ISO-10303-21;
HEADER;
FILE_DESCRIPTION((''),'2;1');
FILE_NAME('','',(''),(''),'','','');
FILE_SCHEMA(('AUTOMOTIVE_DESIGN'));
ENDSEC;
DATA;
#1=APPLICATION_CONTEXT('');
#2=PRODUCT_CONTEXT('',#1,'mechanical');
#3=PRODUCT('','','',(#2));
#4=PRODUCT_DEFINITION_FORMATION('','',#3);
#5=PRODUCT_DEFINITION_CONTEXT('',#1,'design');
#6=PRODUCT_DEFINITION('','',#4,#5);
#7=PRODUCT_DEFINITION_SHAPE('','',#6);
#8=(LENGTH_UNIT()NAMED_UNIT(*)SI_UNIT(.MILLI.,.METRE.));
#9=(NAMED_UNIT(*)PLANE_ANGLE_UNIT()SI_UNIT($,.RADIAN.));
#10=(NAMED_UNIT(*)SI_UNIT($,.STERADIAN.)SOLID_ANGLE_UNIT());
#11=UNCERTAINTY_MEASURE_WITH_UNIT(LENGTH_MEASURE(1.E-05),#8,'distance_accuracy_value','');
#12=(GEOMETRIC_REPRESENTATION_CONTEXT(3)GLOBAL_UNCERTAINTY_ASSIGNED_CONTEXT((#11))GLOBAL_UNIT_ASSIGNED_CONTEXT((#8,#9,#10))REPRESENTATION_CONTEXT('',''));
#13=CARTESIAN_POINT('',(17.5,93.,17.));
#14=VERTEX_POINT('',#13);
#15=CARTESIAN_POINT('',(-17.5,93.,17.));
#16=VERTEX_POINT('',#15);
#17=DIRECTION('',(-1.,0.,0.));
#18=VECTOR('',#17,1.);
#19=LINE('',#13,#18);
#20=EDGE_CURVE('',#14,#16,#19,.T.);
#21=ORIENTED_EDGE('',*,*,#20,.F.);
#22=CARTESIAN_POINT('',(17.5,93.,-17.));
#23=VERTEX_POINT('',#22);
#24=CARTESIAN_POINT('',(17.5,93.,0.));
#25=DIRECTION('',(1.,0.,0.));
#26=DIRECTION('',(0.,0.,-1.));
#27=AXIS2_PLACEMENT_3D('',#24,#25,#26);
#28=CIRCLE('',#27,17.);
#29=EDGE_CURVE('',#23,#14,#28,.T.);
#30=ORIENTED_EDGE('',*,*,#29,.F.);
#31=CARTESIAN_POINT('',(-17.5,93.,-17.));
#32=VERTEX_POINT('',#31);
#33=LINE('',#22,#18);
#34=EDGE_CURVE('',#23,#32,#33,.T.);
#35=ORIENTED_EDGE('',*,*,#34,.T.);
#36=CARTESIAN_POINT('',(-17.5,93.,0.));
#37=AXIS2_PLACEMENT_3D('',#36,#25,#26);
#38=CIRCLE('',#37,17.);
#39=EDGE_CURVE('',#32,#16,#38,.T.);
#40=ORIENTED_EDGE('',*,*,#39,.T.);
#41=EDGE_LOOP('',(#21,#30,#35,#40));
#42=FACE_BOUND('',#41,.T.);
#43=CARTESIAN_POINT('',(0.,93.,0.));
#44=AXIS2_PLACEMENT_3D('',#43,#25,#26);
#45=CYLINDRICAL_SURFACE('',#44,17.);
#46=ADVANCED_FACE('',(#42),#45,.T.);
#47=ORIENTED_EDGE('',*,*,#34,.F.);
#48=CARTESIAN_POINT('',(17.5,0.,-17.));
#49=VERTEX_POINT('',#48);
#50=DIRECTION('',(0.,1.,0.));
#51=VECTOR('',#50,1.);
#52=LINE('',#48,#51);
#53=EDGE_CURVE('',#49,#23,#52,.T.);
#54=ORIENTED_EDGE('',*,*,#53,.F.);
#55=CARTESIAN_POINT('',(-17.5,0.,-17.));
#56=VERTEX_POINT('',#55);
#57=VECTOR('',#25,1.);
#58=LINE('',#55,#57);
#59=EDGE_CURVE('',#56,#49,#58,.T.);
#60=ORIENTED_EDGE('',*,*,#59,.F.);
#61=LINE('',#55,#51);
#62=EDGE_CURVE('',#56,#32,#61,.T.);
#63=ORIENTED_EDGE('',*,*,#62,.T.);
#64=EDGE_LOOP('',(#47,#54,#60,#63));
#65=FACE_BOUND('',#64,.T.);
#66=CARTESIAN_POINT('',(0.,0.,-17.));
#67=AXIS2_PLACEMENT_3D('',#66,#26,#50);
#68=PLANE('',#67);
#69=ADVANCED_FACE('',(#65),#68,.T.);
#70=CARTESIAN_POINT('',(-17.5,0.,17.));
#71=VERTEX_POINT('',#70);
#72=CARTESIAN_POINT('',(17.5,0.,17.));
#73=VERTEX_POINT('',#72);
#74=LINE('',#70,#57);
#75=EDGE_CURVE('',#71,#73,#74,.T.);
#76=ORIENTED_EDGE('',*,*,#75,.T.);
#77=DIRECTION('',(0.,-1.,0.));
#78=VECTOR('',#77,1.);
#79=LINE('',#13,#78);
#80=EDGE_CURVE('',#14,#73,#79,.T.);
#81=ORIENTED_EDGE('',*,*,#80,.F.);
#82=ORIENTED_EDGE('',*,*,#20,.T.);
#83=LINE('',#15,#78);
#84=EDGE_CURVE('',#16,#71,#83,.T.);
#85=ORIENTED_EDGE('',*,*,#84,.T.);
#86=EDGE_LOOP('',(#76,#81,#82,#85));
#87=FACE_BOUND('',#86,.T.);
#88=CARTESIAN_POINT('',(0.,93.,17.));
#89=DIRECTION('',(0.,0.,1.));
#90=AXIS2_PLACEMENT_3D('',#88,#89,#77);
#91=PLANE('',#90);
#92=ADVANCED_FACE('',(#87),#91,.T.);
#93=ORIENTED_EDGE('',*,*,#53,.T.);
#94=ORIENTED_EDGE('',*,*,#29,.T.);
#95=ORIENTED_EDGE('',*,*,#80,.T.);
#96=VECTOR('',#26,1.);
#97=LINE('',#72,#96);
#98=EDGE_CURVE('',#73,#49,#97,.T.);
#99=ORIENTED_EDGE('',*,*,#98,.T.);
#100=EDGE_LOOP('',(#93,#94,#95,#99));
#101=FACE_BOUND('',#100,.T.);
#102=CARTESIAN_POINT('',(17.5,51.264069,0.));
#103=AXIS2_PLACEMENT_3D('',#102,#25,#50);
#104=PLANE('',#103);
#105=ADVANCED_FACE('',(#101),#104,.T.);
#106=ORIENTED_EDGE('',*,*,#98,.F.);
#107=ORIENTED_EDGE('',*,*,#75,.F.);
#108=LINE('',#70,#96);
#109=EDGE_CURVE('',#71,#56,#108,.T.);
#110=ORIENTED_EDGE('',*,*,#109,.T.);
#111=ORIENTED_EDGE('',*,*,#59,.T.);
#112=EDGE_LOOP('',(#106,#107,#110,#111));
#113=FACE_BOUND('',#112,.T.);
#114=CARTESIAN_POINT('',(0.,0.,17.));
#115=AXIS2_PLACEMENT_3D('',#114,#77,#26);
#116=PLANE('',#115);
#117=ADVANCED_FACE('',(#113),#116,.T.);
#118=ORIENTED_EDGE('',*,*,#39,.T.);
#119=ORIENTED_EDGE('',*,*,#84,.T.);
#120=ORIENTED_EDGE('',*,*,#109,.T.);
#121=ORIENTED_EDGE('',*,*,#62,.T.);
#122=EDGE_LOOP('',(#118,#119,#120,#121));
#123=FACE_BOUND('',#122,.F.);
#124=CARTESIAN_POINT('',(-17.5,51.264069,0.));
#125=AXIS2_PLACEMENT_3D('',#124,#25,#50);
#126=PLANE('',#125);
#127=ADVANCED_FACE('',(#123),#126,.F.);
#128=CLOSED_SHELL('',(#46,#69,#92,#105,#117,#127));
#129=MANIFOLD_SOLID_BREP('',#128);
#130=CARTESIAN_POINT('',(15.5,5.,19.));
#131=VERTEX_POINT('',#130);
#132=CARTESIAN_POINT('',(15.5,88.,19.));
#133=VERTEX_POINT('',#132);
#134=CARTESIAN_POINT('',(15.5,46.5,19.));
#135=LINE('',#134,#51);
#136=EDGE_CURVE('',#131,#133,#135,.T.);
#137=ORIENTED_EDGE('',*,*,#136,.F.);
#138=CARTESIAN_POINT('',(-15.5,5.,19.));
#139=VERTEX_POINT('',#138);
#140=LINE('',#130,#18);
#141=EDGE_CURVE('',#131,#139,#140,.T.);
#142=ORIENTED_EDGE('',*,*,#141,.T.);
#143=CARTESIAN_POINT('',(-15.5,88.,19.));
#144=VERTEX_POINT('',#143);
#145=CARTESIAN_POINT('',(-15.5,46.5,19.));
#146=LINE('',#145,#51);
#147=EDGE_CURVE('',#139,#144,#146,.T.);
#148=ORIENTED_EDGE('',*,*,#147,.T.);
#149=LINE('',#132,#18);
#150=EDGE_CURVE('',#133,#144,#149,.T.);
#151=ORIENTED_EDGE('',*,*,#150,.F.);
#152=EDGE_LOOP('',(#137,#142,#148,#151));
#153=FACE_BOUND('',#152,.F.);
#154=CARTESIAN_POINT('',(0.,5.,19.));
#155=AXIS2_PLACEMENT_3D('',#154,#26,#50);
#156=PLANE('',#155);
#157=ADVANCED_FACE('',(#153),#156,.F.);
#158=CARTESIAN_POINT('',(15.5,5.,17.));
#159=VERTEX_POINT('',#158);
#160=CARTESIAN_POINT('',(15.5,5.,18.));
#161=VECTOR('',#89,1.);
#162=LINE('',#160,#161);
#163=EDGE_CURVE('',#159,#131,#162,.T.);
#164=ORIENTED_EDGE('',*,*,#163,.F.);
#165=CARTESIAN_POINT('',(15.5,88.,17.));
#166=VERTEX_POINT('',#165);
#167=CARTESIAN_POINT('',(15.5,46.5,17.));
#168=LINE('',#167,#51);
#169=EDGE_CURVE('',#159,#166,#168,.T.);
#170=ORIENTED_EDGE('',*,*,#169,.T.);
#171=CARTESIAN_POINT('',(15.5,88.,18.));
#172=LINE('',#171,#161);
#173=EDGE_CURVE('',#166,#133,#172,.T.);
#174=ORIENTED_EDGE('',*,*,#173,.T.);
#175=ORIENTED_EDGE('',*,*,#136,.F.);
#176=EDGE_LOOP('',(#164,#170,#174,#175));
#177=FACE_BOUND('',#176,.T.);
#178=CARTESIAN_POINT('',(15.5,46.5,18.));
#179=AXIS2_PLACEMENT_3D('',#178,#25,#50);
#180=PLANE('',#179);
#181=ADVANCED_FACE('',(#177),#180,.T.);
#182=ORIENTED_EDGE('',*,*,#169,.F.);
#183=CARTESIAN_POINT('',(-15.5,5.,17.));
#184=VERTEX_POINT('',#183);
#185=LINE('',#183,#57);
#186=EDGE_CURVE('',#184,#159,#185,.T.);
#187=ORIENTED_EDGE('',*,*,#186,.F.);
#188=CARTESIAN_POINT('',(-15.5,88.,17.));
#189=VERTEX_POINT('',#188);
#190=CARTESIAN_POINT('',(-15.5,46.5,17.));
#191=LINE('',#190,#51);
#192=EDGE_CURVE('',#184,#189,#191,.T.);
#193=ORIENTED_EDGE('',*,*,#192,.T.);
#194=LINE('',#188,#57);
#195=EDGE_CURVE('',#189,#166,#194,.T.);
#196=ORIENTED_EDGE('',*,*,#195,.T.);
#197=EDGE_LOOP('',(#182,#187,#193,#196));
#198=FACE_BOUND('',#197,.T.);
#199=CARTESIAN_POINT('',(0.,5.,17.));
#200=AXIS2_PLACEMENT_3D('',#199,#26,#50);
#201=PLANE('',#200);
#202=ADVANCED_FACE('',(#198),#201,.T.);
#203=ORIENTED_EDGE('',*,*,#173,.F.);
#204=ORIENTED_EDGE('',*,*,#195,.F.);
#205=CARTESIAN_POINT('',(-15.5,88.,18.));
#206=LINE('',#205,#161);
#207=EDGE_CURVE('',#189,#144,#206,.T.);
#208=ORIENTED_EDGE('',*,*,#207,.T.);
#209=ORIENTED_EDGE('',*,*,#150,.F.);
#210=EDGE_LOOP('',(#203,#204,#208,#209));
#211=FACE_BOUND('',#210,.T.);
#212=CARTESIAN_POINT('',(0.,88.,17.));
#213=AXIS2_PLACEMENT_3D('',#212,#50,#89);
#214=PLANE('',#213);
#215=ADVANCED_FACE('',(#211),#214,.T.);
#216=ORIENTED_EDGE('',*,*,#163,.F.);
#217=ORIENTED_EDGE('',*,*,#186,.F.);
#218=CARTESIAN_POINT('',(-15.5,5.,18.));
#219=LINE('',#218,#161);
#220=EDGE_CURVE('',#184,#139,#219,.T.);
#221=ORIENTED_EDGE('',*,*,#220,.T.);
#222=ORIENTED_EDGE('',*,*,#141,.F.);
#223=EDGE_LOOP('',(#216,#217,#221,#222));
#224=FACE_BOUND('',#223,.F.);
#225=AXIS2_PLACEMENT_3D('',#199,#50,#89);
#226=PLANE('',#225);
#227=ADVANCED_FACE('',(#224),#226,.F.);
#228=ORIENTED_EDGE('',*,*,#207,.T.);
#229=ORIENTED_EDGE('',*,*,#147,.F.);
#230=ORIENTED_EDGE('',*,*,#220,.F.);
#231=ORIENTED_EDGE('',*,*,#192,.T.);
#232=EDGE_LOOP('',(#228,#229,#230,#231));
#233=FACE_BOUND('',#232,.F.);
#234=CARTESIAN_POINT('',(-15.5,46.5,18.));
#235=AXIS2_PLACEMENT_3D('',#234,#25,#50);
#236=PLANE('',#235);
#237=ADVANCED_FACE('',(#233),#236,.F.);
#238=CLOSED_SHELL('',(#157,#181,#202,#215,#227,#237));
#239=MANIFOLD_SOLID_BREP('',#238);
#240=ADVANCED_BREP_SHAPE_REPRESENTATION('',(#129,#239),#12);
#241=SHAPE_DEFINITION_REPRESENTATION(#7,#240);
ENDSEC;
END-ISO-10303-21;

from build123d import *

# Parameters (mm, degrees)
F3_DEPTH = 17.5
F2_W     = 83
F2_H     = 2
F4_DEPTH = 15.5


with BuildPart() as f3:
    # F1 (on Right) → F3 (new body, symmetric)
    with BuildSketch(Plane.YZ):
        with BuildLine():
            Line((93, 17), (0, 17))
            Line((0, 17), (0, -17))
            Line((0, -17), (93, -17))
            ThreePointArc((93, -17), (110, 0), (93, 17))
        make_face()
    extrude(amount=F3_DEPTH, both=True)


with BuildPart() as f4:
    # F2 (on Right) → F4 (new body, symmetric)
    with BuildSketch(Plane.YZ):
        with Locations((46.5, 18)):
            Rectangle(F2_W, F2_H)
    extrude(amount=F4_DEPTH, both=True)


solid = Compound([f3.part, f4.part])
